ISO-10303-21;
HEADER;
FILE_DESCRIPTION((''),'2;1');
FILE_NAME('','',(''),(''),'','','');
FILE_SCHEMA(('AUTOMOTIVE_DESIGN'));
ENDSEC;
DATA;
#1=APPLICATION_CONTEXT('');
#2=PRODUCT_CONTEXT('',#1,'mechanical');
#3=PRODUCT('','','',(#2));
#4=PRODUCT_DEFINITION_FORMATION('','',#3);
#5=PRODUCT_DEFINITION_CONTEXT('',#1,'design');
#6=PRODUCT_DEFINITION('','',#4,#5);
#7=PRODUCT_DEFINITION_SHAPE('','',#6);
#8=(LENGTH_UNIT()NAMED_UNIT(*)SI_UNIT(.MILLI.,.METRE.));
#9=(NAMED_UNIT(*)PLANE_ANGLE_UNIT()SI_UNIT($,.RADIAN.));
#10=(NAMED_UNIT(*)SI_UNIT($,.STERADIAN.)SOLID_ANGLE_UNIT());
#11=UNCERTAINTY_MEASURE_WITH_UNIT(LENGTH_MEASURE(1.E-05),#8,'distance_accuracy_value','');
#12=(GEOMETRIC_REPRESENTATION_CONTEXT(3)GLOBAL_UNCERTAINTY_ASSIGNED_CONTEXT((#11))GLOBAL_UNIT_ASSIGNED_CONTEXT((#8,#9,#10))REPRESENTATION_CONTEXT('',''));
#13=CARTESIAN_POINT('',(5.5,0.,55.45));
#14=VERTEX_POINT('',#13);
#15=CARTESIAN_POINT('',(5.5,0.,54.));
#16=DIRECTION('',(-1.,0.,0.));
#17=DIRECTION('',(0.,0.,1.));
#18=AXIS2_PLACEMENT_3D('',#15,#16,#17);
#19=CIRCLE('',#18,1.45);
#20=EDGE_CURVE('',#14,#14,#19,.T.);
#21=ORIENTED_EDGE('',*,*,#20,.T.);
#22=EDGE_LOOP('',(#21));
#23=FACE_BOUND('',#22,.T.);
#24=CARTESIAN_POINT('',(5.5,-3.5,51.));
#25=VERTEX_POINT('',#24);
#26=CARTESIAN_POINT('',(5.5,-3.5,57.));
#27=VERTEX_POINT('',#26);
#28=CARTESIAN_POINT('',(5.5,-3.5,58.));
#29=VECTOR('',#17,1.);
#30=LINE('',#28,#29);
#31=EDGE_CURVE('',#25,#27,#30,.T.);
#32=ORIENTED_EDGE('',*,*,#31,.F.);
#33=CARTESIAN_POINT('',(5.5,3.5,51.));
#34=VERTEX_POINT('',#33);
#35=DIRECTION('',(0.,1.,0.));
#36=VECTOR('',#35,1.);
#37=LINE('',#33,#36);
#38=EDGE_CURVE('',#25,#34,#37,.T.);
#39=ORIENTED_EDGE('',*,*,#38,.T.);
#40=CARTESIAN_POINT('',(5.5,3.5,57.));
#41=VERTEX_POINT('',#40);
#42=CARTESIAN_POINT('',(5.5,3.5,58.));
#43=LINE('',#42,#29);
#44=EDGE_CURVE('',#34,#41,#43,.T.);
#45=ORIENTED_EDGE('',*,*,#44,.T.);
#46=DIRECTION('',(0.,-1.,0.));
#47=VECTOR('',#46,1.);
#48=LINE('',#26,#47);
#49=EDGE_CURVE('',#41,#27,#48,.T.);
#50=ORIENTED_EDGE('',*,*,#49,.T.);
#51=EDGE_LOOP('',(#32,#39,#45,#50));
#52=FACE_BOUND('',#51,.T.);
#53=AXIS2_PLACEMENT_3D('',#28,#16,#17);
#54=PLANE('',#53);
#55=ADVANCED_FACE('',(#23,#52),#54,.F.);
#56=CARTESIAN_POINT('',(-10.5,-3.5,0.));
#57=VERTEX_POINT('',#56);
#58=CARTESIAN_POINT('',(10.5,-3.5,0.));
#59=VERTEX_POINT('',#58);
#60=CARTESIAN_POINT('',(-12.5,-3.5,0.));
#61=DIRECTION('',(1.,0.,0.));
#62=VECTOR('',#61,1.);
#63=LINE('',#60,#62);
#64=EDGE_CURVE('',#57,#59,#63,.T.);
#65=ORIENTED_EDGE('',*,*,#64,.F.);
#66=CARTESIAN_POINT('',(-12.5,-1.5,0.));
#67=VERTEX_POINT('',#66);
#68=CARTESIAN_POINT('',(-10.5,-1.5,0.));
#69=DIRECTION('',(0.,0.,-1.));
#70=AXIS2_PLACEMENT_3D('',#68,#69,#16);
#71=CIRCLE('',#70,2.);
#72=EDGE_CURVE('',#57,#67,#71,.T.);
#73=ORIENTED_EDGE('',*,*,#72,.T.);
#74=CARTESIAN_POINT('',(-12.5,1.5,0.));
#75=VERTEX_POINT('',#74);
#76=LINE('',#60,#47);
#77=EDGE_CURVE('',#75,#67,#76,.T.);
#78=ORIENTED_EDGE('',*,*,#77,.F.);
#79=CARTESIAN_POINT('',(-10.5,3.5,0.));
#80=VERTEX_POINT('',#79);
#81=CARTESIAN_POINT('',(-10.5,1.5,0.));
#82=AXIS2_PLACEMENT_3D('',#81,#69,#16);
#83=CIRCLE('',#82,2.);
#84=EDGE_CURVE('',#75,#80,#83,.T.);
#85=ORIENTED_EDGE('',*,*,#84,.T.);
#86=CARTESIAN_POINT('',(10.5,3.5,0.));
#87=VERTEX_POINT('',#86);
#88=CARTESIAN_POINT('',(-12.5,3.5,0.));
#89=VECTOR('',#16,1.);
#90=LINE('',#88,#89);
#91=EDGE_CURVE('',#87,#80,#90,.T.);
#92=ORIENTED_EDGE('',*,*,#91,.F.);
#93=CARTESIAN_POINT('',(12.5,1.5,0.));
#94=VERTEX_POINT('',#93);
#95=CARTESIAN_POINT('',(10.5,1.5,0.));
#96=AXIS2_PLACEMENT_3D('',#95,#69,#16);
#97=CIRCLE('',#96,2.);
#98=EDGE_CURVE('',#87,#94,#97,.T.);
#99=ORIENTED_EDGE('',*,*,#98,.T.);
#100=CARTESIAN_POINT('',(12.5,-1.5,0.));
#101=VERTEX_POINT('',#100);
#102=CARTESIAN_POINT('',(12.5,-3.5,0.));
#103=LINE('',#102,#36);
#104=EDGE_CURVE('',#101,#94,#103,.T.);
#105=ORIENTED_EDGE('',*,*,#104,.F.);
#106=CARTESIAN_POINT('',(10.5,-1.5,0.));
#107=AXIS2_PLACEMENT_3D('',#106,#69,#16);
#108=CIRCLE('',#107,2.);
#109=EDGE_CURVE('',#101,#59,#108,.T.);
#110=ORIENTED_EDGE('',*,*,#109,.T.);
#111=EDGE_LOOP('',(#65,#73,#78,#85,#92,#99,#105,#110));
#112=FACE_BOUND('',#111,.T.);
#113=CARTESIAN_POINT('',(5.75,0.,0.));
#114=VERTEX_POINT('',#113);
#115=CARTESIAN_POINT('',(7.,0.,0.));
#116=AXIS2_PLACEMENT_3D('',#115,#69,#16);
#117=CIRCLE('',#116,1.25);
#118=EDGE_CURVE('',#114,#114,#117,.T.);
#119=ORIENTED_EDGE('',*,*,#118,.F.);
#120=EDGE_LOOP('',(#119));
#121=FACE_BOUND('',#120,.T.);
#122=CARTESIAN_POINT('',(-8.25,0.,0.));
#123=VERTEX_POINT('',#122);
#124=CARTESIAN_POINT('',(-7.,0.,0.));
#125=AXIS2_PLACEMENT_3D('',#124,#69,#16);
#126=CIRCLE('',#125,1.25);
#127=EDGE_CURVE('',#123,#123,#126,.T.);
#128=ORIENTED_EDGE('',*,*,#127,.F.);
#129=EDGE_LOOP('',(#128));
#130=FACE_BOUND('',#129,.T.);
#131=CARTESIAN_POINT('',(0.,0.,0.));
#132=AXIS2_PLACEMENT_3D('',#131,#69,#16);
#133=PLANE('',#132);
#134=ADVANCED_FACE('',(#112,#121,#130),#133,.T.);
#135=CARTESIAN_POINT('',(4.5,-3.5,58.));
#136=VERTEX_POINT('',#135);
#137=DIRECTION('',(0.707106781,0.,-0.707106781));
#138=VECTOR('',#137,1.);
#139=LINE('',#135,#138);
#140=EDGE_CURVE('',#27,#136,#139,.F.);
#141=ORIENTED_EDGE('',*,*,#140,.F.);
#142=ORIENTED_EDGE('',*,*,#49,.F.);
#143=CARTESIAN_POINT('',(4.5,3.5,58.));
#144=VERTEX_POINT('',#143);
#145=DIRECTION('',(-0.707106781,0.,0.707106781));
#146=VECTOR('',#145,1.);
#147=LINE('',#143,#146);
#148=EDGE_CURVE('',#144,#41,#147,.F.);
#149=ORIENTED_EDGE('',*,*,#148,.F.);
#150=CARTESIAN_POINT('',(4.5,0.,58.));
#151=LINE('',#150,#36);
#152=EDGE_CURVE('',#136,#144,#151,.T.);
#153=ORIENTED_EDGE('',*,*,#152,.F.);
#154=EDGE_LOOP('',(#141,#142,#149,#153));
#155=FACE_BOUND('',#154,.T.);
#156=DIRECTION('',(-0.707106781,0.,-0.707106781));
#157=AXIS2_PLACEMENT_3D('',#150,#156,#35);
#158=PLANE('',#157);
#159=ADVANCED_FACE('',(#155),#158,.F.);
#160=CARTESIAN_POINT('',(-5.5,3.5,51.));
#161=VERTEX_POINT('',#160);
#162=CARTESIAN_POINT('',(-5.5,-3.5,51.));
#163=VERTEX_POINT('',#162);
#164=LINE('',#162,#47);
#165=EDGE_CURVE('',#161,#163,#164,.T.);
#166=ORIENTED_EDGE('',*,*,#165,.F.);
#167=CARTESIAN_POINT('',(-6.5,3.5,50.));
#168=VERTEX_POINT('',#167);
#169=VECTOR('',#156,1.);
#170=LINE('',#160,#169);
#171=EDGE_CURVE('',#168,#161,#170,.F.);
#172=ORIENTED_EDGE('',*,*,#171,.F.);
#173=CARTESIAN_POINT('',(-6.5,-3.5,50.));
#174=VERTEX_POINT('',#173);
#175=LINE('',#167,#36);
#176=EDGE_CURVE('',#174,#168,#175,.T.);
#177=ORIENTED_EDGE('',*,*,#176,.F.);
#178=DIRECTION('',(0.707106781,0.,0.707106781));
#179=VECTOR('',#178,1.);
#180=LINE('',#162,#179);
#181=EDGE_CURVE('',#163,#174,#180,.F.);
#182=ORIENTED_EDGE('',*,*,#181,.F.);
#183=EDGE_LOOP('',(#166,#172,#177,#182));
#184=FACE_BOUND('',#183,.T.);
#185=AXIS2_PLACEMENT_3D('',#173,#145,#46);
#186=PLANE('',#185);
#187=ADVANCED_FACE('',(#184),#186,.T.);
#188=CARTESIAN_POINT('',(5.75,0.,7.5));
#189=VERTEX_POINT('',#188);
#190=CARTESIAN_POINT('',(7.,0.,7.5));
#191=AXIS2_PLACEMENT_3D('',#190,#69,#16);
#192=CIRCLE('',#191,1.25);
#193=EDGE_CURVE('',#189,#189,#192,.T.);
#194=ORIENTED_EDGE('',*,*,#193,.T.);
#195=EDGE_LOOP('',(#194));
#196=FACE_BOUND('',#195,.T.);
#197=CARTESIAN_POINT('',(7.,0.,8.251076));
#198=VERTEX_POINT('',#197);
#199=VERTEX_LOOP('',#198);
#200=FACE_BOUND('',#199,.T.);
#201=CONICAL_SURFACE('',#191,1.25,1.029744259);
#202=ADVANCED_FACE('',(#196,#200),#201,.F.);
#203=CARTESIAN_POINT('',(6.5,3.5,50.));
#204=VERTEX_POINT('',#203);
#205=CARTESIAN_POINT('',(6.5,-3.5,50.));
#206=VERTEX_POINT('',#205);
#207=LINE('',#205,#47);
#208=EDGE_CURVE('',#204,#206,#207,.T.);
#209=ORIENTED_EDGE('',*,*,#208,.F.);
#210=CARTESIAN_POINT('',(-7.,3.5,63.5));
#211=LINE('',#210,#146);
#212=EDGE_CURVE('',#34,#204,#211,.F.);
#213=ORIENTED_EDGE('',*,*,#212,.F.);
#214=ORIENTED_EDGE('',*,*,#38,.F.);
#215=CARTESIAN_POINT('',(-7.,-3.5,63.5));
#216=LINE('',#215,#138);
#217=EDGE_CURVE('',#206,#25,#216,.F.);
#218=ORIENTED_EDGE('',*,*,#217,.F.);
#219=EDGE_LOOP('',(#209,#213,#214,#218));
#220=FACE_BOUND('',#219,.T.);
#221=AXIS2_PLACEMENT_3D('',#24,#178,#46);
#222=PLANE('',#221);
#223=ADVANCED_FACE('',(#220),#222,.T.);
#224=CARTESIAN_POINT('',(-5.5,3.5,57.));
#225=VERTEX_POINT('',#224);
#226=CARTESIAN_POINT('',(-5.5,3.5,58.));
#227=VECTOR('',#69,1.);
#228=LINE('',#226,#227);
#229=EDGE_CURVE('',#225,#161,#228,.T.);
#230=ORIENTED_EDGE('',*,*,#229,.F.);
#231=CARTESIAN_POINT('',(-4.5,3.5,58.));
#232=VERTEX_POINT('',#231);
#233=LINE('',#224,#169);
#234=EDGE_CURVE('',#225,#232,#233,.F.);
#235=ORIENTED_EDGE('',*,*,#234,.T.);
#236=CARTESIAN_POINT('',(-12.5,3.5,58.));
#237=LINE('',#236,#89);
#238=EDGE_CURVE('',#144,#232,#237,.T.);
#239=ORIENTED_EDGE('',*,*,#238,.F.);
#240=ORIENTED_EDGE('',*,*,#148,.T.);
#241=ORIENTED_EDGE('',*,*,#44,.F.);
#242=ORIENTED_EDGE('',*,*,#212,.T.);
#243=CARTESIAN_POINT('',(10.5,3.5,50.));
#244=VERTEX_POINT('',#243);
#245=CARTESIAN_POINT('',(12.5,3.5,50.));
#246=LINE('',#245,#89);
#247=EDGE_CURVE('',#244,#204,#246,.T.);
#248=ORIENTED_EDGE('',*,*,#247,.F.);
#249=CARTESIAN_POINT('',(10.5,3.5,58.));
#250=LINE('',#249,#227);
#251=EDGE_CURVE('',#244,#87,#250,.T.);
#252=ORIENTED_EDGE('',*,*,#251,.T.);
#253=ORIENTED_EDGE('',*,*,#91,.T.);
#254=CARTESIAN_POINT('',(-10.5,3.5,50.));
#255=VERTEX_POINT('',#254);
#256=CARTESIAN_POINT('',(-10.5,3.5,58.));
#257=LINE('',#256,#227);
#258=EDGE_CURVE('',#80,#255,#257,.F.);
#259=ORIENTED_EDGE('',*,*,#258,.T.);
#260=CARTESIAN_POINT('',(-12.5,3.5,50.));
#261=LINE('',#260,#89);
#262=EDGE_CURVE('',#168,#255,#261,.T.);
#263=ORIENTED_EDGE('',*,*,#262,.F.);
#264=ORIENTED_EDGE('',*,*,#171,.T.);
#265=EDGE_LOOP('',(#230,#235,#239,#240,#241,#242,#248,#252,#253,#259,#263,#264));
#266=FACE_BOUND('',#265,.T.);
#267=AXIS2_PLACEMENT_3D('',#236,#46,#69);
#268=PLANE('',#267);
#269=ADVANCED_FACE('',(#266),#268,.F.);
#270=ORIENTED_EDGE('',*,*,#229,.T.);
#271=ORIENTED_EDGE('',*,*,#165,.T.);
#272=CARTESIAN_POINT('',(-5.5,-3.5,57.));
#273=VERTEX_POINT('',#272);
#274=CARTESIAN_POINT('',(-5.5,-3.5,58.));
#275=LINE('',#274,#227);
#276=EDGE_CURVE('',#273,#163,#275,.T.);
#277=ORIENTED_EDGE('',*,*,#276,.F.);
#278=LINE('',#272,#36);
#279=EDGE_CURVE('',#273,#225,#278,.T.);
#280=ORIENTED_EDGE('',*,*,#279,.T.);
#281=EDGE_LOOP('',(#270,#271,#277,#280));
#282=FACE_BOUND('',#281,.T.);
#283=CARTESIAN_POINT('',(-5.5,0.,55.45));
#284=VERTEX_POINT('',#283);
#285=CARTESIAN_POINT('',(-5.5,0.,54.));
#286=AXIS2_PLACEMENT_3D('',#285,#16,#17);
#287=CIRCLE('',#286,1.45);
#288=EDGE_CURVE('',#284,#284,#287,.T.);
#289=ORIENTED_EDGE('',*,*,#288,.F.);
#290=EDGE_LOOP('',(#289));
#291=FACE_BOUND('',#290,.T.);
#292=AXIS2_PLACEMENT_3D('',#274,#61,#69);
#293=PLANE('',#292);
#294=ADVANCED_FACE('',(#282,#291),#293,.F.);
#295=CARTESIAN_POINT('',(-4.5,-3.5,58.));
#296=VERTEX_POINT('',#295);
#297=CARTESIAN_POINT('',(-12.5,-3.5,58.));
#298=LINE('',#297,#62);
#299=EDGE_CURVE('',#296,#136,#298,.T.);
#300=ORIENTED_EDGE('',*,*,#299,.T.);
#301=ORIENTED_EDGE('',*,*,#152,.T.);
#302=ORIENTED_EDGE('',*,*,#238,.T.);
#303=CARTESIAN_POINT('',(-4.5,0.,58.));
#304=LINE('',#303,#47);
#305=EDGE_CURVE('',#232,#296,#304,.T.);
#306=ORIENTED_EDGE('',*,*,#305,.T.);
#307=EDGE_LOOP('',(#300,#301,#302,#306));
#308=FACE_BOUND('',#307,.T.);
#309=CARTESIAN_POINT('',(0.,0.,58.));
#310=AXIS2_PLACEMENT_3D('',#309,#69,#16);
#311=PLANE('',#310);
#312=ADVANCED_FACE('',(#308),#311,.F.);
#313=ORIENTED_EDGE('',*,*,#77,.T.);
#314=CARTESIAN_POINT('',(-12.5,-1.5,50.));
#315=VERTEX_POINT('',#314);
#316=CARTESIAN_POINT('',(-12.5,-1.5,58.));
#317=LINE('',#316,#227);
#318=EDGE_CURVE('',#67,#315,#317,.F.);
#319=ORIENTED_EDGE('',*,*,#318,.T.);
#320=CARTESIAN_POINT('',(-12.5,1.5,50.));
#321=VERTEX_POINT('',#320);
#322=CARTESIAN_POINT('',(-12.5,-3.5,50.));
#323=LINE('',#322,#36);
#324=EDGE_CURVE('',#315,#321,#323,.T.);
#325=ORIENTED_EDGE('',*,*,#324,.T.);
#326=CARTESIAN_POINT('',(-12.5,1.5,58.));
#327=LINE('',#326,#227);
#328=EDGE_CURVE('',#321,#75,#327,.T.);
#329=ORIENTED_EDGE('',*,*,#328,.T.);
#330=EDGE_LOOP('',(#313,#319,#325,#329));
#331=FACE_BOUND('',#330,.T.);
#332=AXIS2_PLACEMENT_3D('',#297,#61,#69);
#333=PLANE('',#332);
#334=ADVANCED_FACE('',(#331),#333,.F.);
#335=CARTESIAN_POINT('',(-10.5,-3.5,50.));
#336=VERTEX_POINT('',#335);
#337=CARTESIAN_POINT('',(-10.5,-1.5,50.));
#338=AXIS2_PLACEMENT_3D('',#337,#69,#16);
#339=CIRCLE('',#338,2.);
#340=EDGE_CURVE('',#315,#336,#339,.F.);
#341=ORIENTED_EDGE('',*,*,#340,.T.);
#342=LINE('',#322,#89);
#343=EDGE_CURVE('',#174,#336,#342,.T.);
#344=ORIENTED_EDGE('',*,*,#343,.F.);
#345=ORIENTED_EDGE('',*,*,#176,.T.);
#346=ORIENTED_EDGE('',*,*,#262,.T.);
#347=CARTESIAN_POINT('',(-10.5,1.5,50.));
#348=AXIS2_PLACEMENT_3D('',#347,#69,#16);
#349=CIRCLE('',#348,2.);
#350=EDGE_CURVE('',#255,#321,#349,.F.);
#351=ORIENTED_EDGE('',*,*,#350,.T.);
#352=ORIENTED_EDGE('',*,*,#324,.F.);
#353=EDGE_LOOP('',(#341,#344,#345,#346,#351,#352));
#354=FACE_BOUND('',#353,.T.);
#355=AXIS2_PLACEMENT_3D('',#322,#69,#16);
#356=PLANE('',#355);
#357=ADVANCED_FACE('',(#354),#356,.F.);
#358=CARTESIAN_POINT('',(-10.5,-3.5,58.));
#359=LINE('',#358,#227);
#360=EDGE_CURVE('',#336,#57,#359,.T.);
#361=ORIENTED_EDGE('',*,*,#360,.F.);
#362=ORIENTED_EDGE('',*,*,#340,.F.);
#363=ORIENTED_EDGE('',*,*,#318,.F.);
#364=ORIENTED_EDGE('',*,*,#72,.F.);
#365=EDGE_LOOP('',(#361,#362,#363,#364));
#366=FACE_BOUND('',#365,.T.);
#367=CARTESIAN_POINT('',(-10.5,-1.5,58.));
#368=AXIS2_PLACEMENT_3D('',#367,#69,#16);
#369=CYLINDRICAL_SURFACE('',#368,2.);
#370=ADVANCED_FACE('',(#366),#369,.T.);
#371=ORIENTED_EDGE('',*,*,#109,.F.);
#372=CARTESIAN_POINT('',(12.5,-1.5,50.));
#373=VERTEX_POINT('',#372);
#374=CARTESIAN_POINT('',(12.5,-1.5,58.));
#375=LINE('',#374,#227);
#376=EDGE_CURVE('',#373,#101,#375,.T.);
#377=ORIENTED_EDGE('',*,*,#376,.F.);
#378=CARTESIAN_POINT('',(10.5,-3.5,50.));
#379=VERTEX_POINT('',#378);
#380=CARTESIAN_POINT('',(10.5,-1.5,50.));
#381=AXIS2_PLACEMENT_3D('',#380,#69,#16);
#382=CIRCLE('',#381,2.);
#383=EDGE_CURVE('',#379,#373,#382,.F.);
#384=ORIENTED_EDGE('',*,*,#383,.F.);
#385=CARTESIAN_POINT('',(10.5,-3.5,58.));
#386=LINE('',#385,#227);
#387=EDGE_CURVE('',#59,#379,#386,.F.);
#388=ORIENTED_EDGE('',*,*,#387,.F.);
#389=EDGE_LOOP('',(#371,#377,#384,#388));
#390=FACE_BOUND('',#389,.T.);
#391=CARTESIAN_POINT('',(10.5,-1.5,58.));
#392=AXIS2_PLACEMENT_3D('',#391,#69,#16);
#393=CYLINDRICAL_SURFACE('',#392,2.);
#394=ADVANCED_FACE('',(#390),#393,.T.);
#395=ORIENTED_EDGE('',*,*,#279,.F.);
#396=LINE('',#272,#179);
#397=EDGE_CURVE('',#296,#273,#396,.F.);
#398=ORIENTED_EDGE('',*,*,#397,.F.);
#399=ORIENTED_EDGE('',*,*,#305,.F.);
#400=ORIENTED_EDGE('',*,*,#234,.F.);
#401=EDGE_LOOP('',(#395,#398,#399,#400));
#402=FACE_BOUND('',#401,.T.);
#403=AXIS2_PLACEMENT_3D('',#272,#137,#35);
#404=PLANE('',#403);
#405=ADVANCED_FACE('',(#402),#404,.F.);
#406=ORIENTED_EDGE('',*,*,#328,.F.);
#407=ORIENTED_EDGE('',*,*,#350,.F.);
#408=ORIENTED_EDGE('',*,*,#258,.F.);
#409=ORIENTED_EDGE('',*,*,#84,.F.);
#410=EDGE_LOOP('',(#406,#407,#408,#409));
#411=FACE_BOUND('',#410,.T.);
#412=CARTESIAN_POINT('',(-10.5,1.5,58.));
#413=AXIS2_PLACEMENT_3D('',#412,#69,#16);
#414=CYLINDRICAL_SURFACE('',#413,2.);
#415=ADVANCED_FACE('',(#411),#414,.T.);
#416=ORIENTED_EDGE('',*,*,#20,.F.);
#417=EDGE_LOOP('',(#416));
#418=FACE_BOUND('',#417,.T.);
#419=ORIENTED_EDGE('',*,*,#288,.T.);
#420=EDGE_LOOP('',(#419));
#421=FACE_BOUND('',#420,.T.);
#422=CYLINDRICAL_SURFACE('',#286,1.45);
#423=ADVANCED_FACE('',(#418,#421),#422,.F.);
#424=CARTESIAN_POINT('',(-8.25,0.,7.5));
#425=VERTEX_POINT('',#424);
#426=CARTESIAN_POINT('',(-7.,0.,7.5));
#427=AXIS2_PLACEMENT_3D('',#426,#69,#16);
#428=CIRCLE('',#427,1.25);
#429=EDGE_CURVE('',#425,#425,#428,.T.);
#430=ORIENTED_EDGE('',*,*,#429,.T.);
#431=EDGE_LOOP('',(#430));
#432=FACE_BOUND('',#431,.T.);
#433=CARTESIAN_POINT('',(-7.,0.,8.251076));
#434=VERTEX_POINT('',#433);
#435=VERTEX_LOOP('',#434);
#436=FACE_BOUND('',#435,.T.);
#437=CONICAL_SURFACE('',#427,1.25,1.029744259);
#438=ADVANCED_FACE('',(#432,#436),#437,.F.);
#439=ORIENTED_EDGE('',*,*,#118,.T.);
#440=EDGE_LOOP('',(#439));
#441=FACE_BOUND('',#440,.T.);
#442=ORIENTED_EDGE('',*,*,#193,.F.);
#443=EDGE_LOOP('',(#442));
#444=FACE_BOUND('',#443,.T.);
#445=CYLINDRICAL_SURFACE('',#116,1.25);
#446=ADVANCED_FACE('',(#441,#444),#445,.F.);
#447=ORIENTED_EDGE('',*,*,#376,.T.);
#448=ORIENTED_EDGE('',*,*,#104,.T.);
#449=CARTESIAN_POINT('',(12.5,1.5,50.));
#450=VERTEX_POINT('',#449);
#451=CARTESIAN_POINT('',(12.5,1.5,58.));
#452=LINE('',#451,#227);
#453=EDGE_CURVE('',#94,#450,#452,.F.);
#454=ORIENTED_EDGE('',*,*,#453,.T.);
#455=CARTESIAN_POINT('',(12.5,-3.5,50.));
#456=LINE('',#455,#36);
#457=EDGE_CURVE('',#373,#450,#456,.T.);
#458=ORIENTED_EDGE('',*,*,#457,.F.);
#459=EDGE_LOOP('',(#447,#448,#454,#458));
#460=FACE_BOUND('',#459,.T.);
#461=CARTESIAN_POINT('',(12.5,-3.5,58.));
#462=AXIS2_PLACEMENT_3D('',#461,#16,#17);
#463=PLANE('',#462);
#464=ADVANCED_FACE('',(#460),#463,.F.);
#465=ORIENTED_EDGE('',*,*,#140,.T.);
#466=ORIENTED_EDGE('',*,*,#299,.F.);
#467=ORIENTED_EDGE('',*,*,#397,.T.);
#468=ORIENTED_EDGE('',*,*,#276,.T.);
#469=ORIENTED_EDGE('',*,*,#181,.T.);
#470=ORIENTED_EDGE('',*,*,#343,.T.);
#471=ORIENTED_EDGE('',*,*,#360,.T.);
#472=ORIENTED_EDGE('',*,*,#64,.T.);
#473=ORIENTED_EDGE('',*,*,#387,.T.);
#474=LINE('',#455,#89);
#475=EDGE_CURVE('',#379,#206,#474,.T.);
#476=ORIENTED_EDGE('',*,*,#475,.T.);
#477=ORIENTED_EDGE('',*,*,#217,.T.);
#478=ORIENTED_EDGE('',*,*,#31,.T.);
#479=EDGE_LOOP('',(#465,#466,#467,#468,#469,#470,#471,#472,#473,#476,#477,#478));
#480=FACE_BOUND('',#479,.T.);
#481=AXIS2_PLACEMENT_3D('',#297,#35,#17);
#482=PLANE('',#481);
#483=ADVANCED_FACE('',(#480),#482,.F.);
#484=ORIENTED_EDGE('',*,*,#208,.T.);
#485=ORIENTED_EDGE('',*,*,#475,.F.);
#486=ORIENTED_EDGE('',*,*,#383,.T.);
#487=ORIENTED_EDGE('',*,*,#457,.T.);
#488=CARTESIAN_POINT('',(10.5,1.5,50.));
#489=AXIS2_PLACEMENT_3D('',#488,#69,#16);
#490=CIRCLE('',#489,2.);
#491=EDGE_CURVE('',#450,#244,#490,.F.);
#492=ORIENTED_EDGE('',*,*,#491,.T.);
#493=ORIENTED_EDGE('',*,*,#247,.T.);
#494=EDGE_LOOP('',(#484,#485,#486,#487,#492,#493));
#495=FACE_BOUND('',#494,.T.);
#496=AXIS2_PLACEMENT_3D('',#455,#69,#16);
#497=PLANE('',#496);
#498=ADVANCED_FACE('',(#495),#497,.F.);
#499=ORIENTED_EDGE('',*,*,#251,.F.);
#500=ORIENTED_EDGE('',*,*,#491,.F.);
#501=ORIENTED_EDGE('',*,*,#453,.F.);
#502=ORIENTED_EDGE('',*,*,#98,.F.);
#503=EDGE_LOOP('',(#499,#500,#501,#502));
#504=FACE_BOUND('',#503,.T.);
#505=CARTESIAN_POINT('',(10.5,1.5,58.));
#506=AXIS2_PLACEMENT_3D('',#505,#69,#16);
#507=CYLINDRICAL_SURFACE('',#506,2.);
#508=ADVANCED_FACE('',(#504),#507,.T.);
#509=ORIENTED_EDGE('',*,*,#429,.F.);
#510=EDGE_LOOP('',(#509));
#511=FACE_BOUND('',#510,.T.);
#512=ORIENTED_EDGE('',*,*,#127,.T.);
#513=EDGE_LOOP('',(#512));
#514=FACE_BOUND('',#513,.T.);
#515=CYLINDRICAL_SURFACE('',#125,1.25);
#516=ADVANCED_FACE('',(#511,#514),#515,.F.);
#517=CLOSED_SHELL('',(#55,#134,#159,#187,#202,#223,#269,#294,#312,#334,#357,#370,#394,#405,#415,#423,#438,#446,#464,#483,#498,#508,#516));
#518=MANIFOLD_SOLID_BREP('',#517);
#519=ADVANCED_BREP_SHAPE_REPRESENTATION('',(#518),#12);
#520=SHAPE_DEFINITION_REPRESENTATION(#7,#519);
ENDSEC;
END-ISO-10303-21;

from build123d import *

# Parameters (mm, degrees)
SKETCH1_W                 = 25
SKETCH1_H                 = 7
BOSS_EXTRUDE1_DEPTH       = 58
SKETCH2_W                 = 7
SKETCH2_H                 = 8
CUT_EXTRUDE1_DEPTH        = 60.74320045
M3X0_5_TAPPED_HOLE2_D     = 2.5
M3X0_5_TAPPED_HOLE2_DEPTH = 7.5
M3X0_5_TAPPED_HOLE2_TIP   = 0.751075774
CHAMFER1_SIZE             = 1
M2_5_CLEARANCE_HOLE1_D    = 2.9
FILLET1_R                 = 2
CHAMFER2_SIZE             = 1


with BuildPart() as part:
    # Sketch1 → Boss-Extrude1 (new body)
    with BuildSketch(Plane.XY):
        Rectangle(SKETCH1_W, SKETCH1_H)
    extrude(amount=BOSS_EXTRUDE1_DEPTH)

    # Sketch2 → Cut-Extrude1 (cut, through all)
    with BuildSketch(Plane(origin=(0, 3.5, 0), x_dir=(1, 0, 0), z_dir=(0, 1, 0))):
        with Locations((-9, -54)):
            Rectangle(SKETCH2_W, SKETCH2_H)
        with Locations((9, -54)):
            Rectangle(SKETCH2_W, SKETCH2_H)
    extrude(amount=-CUT_EXTRUDE1_DEPTH, mode=Mode.SUBTRACT)

    # M3x0.5 Tapped Hole2
    with Locations(Plane(origin=(0, 0, 0), x_dir=(-1, 0, 0), z_dir=(0, 0, -1))):
        with Locations((-7, 0), (7, 0)):
            Hole(M3X0_5_TAPPED_HOLE2_D / 2, depth=M3X0_5_TAPPED_HOLE2_DEPTH)
            with Locations((0, 0, -(M3X0_5_TAPPED_HOLE2_DEPTH + M3X0_5_TAPPED_HOLE2_TIP / 2))):  # 118° drill point
                Cone(0, M3X0_5_TAPPED_HOLE2_D / 2, M3X0_5_TAPPED_HOLE2_TIP, mode=Mode.SUBTRACT)

    # Chamfer1
    chamfer1_edges = [part.edges().sort_by_distance(p)[0] for p in [
        (-5.5, 0, 58),
        (5.5, 0, 58),
    ]]
    chamfer(chamfer1_edges, length=CHAMFER1_SIZE)

    # M2.5 Clearance Hole1 (through all)
    with Locations(Plane(origin=(-5.5, -6.575007997, -1.706532938), x_dir=(0, 0, 1), z_dir=(-1, 0, 0))):
        with Locations((55.706532938, 6.575007997)):
            Hole(M2_5_CLEARANCE_HOLE1_D / 2)

    # Fillet1
    fillet1_edges = [part.edges().sort_by_distance(p)[0] for p in [
        (-12.5, -3.5, 25),
        (-12.5, 3.5, 25),
        (12.5, -3.5, 25),
        (12.5, 3.5, 25),
    ]]
    fillet(fillet1_edges, radius=FILLET1_R)

    # Chamfer2
    chamfer2_edges = [part.edges().sort_by_distance(p)[0] for p in [
        (-5.5, 0, 50),
        (5.5, 0, 50),
    ]]
    chamfer(chamfer2_edges, length=CHAMFER2_SIZE)


solid = part.part
